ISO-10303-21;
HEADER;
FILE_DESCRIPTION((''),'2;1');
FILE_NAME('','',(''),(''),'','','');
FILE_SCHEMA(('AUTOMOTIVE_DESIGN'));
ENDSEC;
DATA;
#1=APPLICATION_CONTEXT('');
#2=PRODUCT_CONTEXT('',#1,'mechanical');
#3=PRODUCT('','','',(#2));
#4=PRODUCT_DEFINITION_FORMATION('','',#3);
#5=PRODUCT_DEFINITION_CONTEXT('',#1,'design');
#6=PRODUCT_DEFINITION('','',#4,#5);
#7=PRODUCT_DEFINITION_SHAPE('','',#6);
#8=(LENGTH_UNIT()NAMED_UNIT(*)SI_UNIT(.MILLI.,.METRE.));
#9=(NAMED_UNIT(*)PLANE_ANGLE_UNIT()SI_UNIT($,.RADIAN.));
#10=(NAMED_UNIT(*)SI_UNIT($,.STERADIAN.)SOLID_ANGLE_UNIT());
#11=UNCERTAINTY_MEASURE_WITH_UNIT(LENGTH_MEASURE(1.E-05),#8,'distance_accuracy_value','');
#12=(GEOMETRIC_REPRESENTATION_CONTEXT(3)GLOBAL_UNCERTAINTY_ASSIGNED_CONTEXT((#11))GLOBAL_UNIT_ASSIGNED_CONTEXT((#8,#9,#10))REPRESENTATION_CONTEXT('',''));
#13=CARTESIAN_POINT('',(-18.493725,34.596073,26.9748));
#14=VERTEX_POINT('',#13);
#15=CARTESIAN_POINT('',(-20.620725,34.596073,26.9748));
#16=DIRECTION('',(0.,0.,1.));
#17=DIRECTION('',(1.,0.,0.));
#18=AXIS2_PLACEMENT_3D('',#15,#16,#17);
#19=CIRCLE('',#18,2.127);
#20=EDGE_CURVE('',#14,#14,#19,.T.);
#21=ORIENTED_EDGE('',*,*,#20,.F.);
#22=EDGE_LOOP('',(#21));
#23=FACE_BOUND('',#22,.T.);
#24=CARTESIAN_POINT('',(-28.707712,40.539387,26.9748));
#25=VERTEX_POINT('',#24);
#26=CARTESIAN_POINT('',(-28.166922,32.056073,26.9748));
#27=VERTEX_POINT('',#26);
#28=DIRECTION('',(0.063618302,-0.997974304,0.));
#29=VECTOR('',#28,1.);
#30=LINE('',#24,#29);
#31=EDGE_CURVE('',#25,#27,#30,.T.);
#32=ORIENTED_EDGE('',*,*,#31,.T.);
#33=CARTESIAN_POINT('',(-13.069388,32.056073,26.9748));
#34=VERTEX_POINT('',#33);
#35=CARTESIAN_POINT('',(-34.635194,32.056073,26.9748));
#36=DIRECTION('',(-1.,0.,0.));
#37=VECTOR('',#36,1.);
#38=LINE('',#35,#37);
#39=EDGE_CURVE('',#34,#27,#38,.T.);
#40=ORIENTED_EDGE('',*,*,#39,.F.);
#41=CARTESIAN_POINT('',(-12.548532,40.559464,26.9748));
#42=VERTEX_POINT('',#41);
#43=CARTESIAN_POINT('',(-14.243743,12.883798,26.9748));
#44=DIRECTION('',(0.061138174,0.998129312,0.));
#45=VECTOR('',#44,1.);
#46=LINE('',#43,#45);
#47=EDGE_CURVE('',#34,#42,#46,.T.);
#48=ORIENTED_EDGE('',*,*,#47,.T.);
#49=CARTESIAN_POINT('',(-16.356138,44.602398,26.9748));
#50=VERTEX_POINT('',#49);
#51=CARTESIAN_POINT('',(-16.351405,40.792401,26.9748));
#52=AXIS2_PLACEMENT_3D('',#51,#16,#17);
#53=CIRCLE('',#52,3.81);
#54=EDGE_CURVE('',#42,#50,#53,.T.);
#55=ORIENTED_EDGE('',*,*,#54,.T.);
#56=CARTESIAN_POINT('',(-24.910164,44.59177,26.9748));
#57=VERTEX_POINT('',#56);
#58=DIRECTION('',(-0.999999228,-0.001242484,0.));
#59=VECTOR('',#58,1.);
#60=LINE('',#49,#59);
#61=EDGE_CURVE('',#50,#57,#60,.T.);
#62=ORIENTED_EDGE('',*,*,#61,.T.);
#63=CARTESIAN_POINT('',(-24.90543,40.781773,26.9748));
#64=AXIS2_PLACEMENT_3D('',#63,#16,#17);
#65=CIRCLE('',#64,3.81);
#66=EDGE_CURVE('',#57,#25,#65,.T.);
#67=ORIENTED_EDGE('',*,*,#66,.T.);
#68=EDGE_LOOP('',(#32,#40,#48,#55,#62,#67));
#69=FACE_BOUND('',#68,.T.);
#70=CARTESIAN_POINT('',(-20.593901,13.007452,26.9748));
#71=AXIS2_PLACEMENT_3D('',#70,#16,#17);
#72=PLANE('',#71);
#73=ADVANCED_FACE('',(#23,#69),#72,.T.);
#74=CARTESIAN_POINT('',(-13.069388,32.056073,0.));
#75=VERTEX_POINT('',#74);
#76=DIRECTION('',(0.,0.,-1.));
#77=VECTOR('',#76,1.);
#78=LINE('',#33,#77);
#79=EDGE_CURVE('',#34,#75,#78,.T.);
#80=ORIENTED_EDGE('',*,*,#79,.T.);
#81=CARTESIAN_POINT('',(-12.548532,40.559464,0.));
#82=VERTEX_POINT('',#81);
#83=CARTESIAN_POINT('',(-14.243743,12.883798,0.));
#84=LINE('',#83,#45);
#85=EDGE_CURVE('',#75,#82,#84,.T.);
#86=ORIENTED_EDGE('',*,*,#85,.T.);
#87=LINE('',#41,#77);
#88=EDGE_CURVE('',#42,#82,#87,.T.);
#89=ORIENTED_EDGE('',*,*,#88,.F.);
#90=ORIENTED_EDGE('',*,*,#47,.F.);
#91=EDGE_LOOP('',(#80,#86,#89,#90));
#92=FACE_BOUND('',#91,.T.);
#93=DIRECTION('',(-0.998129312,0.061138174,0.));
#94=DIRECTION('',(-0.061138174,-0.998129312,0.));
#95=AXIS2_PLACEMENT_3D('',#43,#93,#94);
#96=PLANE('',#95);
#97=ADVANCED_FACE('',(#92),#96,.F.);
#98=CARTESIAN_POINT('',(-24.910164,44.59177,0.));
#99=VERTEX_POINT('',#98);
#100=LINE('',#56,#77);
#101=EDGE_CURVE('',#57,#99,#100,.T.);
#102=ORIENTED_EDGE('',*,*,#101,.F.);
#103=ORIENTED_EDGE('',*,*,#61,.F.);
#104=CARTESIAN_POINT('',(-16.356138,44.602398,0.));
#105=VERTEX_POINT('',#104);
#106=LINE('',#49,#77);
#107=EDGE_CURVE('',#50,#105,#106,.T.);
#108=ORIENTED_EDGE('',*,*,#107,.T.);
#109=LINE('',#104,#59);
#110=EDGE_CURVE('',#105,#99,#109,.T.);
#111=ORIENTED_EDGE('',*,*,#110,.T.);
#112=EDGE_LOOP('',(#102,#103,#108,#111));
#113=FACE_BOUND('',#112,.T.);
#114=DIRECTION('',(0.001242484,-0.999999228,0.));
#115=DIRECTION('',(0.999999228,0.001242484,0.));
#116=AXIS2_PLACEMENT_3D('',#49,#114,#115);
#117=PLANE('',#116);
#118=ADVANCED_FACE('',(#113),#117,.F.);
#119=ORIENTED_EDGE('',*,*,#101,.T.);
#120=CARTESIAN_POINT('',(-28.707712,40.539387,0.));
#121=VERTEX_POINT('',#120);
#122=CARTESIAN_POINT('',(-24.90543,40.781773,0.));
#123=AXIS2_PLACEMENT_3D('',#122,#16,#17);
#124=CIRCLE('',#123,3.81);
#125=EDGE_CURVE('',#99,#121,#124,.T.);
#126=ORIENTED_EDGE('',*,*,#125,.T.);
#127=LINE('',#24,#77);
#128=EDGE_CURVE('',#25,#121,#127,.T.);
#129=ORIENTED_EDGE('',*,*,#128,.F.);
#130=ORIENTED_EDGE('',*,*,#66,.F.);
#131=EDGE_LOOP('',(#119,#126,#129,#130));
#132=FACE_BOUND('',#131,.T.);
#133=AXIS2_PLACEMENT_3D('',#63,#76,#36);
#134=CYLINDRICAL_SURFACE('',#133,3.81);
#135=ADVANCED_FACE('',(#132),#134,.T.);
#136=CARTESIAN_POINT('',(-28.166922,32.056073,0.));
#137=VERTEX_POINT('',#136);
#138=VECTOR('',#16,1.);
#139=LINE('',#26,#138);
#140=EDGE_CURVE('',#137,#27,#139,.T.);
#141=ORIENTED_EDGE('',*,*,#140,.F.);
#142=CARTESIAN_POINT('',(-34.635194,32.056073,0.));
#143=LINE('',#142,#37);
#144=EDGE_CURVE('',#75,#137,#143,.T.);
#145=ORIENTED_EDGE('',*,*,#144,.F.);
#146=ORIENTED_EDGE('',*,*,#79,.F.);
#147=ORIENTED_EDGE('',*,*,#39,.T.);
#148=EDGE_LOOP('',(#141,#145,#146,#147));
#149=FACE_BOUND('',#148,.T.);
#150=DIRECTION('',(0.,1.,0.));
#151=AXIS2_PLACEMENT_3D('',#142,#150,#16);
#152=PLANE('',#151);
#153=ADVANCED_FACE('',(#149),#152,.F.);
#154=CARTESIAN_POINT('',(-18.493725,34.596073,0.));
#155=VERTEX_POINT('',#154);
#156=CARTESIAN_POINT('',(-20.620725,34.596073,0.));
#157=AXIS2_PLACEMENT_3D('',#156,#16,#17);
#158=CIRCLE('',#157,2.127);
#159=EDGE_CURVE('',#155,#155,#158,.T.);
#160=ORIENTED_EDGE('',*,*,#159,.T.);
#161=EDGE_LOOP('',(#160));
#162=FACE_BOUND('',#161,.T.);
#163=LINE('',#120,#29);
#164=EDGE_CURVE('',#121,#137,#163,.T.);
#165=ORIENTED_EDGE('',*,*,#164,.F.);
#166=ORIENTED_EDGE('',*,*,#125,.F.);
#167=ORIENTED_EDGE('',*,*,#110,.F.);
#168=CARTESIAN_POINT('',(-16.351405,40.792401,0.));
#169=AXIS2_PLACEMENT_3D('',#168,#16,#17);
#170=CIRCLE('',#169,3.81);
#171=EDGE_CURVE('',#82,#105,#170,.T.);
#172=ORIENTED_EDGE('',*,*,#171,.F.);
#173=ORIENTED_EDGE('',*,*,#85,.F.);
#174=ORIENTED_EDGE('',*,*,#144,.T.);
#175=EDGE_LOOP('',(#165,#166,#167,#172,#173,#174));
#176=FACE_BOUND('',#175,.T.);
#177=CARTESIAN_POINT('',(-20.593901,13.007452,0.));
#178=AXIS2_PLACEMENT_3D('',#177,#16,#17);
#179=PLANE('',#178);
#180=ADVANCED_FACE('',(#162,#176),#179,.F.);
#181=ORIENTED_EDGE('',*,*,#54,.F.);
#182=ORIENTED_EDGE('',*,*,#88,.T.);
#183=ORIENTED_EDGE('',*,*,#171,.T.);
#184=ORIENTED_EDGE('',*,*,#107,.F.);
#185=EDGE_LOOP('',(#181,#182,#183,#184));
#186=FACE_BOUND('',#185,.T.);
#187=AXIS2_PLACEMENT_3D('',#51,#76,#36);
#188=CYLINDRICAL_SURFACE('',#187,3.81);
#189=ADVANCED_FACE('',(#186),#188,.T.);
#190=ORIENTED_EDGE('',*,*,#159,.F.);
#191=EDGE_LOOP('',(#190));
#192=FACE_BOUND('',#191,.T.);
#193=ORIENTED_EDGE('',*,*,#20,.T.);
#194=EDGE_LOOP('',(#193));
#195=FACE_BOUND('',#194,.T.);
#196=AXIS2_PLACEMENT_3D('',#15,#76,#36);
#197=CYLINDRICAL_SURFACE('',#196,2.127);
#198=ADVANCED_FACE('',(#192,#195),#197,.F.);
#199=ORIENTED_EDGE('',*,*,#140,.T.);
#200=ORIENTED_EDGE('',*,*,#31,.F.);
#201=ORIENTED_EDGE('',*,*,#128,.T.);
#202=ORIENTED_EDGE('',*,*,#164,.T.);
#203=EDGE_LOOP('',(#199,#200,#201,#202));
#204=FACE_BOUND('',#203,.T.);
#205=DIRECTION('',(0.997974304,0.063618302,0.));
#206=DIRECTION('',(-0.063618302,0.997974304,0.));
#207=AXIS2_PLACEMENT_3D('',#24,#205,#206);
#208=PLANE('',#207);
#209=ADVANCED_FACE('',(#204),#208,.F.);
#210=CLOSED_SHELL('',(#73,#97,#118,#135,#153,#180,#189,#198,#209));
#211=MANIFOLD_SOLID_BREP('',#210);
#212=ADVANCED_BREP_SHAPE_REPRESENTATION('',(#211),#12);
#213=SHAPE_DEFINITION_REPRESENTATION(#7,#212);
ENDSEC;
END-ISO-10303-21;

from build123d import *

# Parameters (mm, degrees)
SKETCH1_R           = 2.127
BOSS_EXTRUDE1_DEPTH = 26.9748
SKETCH2_W           = 26.435794454
SKETCH2_H           = 30.822496662
CUT_EXTRUDE1_DEPTH  = 26.9748


with BuildPart() as part:
    # Sketch1 → Boss-Extrude1 (new body)
    with BuildSketch(Plane.XY):
        with BuildLine():
            Line((-14.243742807, 12.883798414), (-12.548531911, 40.559464476))
            ThreePointArc((-12.548531911, 40.559464476), (-13.577816221, 43.404547078), (-16.356138454, 44.602397978))
            Line((-16.356138454, 44.602397978), (-24.910163506, 44.591769732))
            ThreePointArc((-24.910163506, 44.591769732), (-27.685500542, 43.387018496), (-28.707711742, 40.539386942))
            Line((-28.707711742, 40.539386942), (-26.943733004, 12.86801887))
            ThreePointArc((-26.943733004, 12.86801887), (-20.586009882, 6.656095002), (-14.243742807, 12.883798414))
        make_face()
        with Locations((-20.620724878, 34.596073435)):
            Circle(SKETCH1_R, mode=Mode.SUBTRACT)
        with Locations((-20.592321699, 11.736091081)):
            Circle(SKETCH1_R, mode=Mode.SUBTRACT)
    extrude(amount=BOSS_EXTRUDE1_DEPTH)

    # Sketch2 → Cut-Extrude1 (cut)
    with BuildSketch(Plane.XY.offset(26.9748)):
        with Locations((-21.417297129, 16.644825104)):
            Rectangle(SKETCH2_W, SKETCH2_H)
    extrude(amount=-CUT_EXTRUDE1_DEPTH, mode=Mode.SUBTRACT)


solid = part.part
